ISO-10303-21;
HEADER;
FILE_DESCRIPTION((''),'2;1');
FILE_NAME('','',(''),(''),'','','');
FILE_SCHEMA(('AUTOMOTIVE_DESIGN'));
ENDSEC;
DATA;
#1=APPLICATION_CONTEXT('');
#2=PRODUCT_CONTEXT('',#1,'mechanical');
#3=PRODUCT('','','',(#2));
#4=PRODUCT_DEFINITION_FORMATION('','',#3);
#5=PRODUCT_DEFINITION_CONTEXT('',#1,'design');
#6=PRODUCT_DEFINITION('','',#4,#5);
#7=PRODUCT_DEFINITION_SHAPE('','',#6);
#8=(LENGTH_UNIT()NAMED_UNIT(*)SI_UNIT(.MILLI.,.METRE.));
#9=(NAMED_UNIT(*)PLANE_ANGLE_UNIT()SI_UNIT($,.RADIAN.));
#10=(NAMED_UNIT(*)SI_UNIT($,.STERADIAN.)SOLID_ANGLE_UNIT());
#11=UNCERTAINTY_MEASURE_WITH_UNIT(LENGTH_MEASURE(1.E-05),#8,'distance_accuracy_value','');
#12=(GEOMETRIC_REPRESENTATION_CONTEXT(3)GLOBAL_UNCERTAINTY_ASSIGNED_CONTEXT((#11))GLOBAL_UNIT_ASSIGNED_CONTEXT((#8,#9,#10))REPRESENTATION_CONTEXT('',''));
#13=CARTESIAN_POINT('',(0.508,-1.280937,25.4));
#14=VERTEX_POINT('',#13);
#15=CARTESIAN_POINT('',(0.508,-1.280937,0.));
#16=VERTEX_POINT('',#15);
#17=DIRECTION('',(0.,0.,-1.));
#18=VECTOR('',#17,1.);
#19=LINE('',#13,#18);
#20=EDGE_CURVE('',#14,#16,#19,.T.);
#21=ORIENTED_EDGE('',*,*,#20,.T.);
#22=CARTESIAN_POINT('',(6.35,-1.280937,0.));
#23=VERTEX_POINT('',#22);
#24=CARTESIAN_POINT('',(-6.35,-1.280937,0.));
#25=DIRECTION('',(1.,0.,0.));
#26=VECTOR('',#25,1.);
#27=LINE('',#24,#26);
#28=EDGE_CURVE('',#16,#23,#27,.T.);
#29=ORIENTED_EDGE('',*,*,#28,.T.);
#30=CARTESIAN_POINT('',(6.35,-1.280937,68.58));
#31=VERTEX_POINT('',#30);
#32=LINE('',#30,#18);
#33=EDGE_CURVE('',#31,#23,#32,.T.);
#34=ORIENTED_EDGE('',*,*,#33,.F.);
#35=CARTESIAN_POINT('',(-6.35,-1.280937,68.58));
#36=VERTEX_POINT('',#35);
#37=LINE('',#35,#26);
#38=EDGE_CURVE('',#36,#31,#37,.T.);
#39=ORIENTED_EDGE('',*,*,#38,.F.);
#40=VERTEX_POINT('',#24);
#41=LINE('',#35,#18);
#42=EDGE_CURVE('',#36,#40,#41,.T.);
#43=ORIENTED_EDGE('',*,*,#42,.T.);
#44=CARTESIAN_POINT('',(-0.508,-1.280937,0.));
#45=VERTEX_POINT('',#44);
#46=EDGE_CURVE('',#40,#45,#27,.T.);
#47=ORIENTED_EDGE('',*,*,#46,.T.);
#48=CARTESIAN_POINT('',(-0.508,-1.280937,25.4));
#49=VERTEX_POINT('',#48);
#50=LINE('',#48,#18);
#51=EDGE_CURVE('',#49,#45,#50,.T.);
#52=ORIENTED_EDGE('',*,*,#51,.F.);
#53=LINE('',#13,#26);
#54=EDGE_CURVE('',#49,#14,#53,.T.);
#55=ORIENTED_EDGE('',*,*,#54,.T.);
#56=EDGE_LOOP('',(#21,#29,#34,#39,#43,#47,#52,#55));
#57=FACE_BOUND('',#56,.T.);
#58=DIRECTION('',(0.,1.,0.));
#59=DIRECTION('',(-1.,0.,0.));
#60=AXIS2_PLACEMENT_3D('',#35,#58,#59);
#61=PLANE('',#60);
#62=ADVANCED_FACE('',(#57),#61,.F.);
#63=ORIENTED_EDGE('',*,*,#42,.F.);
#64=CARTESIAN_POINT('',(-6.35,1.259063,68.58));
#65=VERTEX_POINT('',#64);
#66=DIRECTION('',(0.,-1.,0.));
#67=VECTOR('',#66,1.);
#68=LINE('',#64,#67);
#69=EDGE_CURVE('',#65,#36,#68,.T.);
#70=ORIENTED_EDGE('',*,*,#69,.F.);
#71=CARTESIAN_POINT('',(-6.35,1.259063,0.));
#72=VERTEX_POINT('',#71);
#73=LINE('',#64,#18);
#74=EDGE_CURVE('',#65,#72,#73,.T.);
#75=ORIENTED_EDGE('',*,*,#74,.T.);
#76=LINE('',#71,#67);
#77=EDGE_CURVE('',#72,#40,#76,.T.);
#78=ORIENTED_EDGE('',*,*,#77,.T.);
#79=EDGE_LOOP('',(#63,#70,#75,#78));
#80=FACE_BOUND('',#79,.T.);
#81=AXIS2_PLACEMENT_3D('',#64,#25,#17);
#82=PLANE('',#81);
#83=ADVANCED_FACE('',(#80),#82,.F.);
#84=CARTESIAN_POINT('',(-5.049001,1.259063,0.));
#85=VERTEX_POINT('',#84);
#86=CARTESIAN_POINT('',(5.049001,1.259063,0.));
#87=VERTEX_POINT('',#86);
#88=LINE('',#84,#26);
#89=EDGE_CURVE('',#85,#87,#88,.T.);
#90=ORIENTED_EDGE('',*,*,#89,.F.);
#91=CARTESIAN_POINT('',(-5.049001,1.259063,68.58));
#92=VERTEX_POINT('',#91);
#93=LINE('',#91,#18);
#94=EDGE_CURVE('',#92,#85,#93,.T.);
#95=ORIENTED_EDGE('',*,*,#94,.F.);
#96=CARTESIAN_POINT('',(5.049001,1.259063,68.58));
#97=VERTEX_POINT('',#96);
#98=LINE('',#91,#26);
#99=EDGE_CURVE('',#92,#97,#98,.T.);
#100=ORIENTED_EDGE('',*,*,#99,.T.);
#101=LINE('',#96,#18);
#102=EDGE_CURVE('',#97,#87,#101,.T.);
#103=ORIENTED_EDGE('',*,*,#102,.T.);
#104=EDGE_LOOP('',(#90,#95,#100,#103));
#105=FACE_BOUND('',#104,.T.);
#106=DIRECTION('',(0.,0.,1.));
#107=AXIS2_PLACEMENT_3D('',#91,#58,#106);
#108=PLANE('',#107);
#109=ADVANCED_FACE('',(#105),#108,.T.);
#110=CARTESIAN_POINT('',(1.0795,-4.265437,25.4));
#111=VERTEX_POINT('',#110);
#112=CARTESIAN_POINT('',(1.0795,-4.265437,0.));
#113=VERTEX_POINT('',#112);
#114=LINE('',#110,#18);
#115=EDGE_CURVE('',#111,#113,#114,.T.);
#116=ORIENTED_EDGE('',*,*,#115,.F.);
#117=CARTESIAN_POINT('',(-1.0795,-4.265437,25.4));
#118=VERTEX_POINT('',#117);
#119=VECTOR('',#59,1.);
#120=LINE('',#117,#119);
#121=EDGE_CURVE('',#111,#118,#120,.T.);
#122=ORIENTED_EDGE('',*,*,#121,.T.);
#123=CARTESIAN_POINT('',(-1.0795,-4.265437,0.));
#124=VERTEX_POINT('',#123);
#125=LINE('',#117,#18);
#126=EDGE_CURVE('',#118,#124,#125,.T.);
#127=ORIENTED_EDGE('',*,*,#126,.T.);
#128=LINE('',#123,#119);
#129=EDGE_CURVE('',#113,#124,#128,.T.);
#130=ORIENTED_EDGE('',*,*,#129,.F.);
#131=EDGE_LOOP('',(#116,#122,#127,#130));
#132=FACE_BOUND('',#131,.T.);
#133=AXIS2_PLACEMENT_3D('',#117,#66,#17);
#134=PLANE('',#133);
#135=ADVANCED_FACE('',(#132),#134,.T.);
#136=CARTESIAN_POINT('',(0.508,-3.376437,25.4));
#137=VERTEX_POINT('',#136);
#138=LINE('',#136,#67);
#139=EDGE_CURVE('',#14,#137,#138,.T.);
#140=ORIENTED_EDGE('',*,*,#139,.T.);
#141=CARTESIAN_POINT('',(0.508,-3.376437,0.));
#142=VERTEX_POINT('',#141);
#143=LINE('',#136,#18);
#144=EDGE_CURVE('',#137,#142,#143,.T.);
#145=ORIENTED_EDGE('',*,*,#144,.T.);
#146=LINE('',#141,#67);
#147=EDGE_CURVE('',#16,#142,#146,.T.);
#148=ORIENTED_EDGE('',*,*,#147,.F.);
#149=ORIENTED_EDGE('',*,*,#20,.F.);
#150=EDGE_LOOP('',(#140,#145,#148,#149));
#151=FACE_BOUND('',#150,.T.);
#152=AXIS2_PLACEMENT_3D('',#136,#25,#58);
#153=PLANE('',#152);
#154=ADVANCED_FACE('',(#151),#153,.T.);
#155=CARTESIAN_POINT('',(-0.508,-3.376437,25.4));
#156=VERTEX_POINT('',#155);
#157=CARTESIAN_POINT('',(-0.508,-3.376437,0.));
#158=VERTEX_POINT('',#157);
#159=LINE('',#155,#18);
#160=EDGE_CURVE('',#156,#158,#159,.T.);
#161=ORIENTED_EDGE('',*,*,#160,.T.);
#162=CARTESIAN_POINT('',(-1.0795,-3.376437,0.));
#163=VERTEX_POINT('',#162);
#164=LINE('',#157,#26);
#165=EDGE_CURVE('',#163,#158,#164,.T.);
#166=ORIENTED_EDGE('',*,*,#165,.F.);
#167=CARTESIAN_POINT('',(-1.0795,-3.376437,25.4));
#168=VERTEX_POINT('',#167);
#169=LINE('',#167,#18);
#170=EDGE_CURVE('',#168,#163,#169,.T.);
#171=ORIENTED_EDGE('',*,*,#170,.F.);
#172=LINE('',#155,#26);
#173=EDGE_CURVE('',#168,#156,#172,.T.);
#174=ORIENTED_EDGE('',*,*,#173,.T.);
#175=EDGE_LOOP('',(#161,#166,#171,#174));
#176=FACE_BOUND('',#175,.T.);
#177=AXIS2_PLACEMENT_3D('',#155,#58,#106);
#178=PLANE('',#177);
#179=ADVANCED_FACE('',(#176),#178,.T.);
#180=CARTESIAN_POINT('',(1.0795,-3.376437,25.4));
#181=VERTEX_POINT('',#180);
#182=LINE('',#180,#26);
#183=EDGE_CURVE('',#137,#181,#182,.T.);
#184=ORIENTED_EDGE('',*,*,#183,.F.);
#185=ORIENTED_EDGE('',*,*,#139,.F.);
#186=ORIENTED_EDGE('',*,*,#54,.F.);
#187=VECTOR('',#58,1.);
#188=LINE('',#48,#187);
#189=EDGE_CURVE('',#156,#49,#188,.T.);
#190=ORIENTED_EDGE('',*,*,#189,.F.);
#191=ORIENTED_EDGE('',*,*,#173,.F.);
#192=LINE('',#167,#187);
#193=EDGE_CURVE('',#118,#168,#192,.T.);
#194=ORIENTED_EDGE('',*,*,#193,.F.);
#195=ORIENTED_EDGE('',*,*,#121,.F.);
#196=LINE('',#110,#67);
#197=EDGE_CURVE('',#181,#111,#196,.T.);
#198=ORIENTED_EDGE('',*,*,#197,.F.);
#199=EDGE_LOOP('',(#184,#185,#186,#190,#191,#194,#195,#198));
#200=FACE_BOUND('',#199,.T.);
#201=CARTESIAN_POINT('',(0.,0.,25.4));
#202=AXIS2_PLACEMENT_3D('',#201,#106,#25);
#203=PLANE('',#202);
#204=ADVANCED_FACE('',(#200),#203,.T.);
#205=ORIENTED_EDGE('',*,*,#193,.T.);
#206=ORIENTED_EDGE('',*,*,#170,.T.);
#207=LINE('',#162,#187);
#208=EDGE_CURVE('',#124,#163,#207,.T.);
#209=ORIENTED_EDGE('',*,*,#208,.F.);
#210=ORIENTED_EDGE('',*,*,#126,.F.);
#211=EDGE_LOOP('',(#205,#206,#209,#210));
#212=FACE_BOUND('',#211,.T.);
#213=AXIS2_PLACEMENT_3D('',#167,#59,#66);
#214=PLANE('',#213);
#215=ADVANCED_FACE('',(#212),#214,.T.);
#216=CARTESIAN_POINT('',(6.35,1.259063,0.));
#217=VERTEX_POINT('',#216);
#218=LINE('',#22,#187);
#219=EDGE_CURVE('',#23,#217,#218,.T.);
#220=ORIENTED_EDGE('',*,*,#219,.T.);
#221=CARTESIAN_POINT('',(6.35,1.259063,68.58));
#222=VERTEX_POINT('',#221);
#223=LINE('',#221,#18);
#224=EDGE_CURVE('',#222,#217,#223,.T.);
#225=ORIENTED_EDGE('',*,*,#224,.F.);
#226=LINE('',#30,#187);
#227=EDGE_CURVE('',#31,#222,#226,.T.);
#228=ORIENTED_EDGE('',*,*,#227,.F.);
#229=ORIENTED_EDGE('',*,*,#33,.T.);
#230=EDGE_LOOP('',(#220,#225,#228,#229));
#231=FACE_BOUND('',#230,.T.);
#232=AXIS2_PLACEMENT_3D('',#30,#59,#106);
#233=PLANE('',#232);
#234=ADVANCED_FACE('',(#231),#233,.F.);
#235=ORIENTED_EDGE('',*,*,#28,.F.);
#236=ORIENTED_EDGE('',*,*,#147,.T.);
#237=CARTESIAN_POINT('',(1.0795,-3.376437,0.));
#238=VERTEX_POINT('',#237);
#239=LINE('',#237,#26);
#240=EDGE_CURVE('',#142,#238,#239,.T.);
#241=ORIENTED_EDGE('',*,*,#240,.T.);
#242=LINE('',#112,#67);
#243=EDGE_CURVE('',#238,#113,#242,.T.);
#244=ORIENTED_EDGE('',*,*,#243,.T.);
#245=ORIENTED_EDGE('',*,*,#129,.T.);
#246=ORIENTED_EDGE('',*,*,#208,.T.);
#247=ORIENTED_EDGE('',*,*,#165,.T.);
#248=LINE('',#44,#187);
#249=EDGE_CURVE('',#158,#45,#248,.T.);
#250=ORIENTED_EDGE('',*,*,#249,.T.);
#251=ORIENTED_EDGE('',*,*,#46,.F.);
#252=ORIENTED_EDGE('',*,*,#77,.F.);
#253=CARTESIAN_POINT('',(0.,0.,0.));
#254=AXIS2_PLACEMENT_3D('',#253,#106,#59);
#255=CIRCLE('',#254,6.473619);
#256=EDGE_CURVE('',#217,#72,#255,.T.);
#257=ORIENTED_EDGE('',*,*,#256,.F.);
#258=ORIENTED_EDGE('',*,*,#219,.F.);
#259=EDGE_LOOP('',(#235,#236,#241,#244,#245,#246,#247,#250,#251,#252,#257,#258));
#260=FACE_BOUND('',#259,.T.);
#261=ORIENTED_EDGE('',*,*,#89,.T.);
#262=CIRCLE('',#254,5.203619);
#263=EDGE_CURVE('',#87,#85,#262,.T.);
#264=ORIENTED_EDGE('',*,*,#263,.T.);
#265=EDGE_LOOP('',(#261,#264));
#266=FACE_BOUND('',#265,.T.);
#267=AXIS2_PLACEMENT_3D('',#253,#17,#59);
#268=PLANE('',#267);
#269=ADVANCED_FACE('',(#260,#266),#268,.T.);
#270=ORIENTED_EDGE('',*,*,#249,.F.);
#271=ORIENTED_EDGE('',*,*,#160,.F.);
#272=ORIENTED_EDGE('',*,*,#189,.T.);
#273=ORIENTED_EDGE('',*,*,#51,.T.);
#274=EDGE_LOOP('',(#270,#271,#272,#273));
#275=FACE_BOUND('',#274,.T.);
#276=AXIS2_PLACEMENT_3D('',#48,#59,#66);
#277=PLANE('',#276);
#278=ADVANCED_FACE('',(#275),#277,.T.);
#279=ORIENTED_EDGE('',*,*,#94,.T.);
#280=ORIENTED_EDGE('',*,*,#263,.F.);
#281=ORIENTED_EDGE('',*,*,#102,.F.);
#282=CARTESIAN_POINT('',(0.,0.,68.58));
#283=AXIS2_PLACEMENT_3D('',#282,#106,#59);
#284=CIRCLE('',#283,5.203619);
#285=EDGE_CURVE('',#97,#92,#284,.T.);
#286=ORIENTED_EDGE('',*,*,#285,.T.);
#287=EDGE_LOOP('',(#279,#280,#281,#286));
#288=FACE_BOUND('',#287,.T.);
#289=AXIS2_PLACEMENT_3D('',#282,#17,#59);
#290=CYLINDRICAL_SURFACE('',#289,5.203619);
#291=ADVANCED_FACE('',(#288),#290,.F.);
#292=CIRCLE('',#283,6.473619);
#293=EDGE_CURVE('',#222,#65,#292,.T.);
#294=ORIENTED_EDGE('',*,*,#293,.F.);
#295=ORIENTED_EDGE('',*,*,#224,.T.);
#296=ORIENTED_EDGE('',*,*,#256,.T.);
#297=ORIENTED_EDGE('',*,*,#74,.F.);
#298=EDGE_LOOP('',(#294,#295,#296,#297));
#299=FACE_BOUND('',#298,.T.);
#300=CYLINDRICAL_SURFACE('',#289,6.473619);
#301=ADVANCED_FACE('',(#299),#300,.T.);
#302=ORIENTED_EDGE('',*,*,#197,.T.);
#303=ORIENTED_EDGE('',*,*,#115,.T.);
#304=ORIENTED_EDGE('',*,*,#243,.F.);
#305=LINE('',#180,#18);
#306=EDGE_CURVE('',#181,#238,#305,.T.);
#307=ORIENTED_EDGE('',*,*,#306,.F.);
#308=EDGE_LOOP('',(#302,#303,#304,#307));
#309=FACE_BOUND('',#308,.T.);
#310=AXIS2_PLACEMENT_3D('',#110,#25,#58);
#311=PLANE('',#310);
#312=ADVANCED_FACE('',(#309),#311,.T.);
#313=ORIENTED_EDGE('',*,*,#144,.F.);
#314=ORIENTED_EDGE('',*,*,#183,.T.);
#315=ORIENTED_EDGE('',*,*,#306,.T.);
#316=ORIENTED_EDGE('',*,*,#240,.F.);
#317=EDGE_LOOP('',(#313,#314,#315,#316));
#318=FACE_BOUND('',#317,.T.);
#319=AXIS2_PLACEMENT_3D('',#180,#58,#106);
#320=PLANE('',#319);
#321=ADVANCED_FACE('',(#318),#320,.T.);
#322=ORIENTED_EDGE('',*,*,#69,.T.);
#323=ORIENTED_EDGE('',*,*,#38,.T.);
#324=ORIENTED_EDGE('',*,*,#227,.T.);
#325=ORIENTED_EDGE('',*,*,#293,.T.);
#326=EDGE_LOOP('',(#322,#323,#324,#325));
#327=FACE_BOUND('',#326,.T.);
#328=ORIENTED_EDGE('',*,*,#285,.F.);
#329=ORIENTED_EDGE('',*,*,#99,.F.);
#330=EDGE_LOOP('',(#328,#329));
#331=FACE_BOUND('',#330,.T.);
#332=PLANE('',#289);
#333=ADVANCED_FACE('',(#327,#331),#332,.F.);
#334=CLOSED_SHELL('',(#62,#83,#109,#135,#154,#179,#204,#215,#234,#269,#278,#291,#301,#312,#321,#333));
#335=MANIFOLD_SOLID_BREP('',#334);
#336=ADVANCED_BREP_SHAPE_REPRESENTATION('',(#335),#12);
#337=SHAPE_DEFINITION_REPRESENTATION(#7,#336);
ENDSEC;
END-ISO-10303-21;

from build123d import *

# Parameters (mm, degrees)
BOSS_EXTRUDE1_DEPTH = 68.58
BOSS_EXTRUDE2_DEPTH = 25.4


with BuildPart() as part:
    # Sketch1 → Boss-Extrude1 (new body)
    with BuildSketch(Plane.XY):
        with BuildLine():
            Line((-6.35, 1.25906277), (-6.35, -1.28093723))
            Line((-6.35, -1.28093723), (6.35, -1.28093723))
            Line((6.35, -1.28093723), (6.35, 1.25906277))
            ThreePointArc((6.35, 1.25906277), (0, 6.473618699), (-6.35, 1.25906277))
        make_face()
        with BuildLine():
            Line((-5.049000743, 1.25906277), (5.049000743, 1.25906277))
            ThreePointArc((5.049000743, 1.25906277), (0, 5.203618699), (-5.049000743, 1.25906277))
        make_face(mode=Mode.SUBTRACT)
    extrude(amount=BOSS_EXTRUDE1_DEPTH)

    # Sketch3 → Boss-Extrude2 (add)
    with BuildSketch(Plane(origin=(0, 0, 0), x_dir=(-1, 0, 0), z_dir=(0, 0, -1))):
        Polygon((0.508, -1.28093723), (0.508, -3.37643723), (1.0795, -3.37643723), (1.0795, -4.26543723), (-1.0795, -4.26543723), (-1.0795, -3.37643723), (-0.508, -3.37643723), (-0.508, -1.28093723), align=None)
    extrude(amount=-BOSS_EXTRUDE2_DEPTH)


solid = part.part
